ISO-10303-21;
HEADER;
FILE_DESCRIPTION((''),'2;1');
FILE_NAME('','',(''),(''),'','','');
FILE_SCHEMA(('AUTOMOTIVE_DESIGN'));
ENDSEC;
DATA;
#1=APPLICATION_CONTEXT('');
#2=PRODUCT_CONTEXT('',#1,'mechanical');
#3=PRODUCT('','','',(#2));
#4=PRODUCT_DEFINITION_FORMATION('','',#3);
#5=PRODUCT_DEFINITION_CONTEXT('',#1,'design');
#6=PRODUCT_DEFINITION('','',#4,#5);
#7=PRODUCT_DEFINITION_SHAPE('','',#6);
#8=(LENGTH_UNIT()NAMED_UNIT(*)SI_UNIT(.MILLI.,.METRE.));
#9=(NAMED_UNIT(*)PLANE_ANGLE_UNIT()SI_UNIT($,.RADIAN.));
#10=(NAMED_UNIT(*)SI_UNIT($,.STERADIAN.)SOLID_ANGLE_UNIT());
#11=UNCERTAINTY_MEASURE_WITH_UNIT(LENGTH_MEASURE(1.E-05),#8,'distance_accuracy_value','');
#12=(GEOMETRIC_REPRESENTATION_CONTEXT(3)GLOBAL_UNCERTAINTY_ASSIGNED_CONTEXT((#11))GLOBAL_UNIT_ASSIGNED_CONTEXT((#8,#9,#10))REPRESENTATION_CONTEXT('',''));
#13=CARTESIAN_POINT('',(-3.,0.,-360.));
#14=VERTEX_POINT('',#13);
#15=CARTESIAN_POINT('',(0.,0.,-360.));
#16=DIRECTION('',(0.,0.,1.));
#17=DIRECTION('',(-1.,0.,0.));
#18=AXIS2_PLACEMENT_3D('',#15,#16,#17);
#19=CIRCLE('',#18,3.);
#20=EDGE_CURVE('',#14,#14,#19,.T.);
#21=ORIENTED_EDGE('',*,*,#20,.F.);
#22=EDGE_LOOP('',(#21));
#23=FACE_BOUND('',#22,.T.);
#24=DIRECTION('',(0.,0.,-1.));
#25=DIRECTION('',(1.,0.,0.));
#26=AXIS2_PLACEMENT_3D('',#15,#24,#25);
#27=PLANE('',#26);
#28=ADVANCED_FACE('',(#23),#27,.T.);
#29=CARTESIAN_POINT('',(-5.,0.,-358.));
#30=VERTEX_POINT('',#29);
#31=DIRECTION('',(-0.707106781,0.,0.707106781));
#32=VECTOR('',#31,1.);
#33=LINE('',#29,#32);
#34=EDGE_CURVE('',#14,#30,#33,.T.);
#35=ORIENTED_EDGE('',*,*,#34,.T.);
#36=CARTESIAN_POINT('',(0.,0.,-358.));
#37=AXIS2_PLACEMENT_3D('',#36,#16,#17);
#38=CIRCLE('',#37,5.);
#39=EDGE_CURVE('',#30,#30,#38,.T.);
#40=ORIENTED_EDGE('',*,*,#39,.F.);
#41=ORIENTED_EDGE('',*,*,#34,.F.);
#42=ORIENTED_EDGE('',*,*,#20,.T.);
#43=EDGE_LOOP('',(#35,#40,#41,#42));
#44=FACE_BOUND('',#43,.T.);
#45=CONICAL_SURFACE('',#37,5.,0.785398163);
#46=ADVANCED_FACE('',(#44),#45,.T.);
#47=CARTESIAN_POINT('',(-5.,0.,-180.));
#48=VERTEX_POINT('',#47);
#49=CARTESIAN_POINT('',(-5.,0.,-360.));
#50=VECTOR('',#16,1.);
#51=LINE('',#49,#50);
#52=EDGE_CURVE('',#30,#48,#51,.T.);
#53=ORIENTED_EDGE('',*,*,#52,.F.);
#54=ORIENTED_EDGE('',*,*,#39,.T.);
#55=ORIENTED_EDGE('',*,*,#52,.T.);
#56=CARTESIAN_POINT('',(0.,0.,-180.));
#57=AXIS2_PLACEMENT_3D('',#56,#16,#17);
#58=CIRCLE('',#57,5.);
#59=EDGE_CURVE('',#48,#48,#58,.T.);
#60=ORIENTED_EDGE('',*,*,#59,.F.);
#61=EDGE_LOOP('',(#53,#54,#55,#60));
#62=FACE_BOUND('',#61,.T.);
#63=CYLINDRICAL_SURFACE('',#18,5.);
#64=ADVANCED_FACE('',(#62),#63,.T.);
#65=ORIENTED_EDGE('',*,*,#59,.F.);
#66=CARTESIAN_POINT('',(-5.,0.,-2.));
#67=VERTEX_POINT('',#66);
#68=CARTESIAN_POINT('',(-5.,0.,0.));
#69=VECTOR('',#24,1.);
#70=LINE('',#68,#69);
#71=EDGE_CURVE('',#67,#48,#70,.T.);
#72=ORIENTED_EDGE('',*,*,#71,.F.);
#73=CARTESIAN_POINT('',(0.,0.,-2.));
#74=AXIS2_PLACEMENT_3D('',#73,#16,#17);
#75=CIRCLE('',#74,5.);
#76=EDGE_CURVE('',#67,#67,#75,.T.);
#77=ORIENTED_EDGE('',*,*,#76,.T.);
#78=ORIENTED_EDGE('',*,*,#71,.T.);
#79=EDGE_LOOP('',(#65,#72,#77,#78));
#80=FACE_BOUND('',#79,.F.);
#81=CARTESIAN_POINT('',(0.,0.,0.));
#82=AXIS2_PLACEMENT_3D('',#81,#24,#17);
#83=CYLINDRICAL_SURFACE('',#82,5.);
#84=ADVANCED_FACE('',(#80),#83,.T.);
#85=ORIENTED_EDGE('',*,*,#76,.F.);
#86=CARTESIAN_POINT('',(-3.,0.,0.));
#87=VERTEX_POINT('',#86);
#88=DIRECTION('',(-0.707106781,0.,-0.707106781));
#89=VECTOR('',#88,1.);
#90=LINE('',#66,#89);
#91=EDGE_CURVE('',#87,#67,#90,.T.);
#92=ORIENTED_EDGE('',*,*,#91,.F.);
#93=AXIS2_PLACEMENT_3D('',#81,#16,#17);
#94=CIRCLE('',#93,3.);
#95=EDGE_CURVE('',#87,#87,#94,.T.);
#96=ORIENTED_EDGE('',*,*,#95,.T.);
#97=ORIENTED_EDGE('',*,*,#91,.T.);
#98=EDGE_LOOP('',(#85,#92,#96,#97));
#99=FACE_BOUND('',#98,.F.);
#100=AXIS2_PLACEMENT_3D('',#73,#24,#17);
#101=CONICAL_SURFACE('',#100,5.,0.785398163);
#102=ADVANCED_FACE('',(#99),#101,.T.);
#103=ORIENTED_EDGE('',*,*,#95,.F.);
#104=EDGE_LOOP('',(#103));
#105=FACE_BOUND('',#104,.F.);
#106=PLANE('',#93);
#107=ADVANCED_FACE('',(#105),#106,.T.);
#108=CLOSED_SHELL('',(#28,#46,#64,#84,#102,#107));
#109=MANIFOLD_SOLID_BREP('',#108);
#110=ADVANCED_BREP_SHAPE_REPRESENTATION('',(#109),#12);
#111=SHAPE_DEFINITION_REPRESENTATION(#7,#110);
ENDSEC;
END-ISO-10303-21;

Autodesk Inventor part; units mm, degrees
ref_plane "YZ Plane" through (0, 0, 0) normal (1, 0, 0) x (0, 1, 0)
ref_plane "XZ Plane" through (0, 0, 0) normal (0, 1, 0) x (-1, 0, 0)
ref_plane "XY Plane" through (0, 0, 0) normal (0, 0, 1) x (1, 0, 0)
sketch "Skizze1" plane through (0, 0, 0) normal (0, 1, 0) x (-1, 0, 0)
  line L0 (0, 0) -> (5, 0)
  line L1 (5, 0) -> (5, -180)
  line L2 (5, -180) -> (0, -180)
  line L3 (0, -180) -> (0, 0)
  dimension "d0" = 180
  dimension "d1" = 10
revolve "Umdrehung1" add sketch "Skizze1" angle 360 about axis through (0, 0, -180) along (0, 0, 1)
thread "Gewinde1" size "M10x1.5" class "6g" standard "ISO Metric profile" length 15
chamfer "Fase1" distance 2 angle 45 1 edges at (5, 0, 0)
mirror "Spiegeln1" about plane through (0, 0, -180) normal (0, 0, -1)
properties part number "Gewindestange_360" material "Stahl AISI 4130"
